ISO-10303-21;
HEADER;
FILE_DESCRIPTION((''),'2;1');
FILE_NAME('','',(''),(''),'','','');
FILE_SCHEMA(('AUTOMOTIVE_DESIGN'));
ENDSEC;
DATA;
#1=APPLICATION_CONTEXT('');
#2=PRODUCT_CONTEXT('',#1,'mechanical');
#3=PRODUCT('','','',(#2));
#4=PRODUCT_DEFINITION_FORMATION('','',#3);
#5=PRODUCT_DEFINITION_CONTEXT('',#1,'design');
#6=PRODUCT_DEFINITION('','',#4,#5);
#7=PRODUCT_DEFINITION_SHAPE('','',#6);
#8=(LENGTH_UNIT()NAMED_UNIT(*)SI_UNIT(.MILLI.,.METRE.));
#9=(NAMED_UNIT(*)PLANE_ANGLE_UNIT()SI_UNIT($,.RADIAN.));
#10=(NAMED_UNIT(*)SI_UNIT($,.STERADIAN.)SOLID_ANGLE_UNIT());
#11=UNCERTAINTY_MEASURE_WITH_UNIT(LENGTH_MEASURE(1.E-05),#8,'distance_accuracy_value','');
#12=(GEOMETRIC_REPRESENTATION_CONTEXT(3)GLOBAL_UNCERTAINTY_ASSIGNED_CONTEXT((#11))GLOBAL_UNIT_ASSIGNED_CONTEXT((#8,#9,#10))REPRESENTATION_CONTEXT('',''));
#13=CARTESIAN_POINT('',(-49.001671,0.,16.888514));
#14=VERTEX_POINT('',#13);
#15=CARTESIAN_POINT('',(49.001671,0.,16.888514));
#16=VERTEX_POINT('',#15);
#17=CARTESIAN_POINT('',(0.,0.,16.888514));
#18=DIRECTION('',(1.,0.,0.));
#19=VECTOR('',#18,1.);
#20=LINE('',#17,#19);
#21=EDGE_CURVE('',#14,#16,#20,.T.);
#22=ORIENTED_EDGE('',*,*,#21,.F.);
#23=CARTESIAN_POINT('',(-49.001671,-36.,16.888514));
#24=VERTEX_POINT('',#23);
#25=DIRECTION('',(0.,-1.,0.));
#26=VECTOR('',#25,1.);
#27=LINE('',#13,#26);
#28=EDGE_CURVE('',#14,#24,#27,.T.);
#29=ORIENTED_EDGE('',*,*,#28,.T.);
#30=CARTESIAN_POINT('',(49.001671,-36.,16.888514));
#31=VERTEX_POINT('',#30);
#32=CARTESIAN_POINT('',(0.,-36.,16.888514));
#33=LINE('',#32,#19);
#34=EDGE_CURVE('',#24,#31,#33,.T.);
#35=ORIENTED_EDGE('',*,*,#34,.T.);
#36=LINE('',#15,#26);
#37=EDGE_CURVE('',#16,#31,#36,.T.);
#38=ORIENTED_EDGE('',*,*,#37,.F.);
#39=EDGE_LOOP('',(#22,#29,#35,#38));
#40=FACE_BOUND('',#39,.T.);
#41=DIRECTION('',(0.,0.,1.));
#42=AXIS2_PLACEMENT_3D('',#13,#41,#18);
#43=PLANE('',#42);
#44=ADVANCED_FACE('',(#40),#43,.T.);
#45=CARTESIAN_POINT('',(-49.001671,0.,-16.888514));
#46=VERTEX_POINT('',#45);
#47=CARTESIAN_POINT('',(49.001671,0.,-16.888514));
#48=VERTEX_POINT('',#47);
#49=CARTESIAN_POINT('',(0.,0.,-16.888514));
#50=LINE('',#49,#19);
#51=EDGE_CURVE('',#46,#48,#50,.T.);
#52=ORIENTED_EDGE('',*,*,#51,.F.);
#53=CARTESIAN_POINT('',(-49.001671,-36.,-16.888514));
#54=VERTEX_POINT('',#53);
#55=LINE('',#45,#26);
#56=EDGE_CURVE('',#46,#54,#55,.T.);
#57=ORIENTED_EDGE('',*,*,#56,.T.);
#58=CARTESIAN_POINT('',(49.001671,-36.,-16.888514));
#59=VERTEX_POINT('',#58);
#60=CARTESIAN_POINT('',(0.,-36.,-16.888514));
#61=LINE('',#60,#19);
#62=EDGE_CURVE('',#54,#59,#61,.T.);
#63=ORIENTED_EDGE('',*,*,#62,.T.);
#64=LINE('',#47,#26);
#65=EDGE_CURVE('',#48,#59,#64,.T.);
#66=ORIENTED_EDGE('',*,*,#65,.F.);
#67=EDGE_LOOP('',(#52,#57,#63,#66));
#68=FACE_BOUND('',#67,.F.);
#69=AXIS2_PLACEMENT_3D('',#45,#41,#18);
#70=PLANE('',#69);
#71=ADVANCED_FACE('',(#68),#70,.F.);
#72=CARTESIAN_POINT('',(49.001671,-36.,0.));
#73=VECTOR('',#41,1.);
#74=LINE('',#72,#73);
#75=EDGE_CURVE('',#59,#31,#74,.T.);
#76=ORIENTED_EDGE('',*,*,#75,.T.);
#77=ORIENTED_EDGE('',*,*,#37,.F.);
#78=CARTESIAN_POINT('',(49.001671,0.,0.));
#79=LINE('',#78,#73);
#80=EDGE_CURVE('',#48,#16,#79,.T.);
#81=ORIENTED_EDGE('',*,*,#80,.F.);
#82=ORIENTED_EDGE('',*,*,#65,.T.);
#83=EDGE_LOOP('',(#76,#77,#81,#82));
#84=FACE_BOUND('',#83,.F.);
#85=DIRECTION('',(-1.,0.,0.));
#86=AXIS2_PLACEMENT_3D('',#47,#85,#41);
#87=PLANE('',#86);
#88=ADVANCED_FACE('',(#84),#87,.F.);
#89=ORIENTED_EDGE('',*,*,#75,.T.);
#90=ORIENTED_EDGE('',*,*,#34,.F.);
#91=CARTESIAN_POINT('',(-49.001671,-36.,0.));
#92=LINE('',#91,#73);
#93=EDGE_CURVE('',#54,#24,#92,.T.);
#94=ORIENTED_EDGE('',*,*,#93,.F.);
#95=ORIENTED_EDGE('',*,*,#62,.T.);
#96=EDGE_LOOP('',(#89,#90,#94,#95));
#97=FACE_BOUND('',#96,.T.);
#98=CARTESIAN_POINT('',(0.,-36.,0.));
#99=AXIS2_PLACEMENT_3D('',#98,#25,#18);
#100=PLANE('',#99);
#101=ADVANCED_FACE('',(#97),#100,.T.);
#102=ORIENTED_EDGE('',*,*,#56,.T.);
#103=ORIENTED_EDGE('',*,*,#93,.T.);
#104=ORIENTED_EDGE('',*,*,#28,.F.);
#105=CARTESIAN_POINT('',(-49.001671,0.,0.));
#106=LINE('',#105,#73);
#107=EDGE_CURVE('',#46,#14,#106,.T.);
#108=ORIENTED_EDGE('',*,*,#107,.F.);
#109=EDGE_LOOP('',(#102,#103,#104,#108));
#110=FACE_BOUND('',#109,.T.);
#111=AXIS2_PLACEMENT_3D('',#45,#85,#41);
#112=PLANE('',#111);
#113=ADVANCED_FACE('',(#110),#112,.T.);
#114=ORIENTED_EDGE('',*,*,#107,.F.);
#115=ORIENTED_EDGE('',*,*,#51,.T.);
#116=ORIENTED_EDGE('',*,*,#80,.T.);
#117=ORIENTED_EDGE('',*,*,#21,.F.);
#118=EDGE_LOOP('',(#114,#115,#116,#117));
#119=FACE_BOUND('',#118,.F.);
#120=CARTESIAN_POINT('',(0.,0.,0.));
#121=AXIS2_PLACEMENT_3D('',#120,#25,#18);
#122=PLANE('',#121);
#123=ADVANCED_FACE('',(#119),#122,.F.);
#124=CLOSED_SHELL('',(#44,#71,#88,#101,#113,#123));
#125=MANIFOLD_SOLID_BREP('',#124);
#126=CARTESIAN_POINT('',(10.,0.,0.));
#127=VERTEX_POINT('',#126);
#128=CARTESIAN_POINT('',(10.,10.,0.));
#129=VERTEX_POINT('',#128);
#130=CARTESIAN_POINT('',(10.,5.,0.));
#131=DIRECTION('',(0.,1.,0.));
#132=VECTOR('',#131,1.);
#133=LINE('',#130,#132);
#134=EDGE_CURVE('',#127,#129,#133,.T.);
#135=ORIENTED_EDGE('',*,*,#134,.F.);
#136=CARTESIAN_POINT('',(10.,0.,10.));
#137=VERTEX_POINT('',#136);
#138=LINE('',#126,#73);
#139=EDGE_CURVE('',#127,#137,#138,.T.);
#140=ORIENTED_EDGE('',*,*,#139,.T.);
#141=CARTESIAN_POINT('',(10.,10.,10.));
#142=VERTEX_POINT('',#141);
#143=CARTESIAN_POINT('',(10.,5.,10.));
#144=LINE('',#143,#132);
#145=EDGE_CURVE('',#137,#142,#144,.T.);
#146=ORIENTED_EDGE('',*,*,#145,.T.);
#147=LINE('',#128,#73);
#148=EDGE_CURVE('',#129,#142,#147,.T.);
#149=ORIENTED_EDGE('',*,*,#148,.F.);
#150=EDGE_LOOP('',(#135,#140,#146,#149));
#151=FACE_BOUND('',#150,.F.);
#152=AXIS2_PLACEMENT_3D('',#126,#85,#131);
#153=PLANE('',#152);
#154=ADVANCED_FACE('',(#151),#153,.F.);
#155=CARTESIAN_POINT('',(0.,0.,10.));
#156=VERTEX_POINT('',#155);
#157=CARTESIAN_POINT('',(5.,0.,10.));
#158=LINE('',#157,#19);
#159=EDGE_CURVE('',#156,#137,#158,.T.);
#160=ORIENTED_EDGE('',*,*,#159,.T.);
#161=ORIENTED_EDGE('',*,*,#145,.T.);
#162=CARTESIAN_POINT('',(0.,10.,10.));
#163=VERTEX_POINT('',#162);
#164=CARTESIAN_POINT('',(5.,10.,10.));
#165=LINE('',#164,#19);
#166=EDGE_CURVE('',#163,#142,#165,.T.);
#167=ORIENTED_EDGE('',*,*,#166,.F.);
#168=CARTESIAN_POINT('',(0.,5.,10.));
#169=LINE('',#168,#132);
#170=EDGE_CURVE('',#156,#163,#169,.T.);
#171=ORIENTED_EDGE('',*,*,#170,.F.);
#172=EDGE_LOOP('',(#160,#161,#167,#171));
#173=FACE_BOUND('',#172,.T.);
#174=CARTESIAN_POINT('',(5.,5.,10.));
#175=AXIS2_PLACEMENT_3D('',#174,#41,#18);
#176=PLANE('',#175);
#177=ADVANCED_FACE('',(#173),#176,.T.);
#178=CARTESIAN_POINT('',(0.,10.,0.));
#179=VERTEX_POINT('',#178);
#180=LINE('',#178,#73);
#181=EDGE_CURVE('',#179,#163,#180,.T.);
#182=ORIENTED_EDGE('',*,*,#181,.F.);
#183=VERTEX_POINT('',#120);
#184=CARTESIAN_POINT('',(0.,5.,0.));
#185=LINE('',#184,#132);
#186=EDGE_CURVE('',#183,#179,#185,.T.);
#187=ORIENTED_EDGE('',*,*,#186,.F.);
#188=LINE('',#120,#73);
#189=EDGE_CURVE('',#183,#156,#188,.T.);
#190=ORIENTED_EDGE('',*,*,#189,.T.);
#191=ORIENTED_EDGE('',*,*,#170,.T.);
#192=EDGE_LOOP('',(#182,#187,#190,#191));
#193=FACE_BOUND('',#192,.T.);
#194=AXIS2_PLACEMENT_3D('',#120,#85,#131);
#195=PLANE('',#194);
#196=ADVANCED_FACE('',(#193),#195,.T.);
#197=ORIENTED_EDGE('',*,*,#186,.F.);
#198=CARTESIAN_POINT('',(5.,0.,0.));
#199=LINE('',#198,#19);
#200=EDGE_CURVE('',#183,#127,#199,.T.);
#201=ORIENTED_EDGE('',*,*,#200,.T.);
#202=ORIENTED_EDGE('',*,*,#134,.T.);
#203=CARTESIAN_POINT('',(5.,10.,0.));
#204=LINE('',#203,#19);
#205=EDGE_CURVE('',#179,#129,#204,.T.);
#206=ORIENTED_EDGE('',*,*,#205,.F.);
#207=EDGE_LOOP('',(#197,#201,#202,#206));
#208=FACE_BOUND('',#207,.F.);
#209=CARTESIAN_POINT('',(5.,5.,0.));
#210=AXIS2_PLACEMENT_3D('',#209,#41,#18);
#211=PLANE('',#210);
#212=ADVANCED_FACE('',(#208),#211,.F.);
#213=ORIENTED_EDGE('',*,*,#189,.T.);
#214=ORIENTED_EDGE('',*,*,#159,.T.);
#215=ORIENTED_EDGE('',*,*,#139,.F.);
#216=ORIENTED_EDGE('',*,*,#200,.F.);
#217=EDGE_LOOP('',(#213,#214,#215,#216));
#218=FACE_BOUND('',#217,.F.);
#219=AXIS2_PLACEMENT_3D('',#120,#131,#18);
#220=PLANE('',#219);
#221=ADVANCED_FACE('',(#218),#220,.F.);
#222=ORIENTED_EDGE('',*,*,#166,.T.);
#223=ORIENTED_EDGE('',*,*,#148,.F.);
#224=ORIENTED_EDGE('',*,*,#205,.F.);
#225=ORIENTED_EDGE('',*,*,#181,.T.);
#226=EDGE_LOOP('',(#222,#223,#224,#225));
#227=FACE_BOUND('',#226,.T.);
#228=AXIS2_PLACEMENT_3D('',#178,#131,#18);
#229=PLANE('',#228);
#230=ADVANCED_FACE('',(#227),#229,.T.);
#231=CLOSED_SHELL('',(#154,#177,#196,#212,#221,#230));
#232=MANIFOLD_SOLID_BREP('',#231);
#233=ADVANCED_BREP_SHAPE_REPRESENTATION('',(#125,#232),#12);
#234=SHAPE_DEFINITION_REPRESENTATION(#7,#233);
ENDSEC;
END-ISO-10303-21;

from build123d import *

# Parameters (mm, degrees)
SKETCH_W  = 98.003342
SKETCH_H  = 33.777028
PAD_DEPTH = 36
BOX_W     = 10
BOX_H     = 10
BOX_DEPTH = 10


with BuildPart() as body:
    # Sketch → Pad (new body)
    with BuildSketch(Plane.XZ):
        Rectangle(SKETCH_W, SKETCH_H)
    extrude(amount=PAD_DEPTH)


with BuildPart() as cube:
    # Box → Box (new body)
    with BuildSketch(Plane.XY):
        with Locations((5, 5)):
            Rectangle(BOX_W, BOX_H)
    extrude(amount=BOX_DEPTH)


solid = Compound([body.part, cube.part])
